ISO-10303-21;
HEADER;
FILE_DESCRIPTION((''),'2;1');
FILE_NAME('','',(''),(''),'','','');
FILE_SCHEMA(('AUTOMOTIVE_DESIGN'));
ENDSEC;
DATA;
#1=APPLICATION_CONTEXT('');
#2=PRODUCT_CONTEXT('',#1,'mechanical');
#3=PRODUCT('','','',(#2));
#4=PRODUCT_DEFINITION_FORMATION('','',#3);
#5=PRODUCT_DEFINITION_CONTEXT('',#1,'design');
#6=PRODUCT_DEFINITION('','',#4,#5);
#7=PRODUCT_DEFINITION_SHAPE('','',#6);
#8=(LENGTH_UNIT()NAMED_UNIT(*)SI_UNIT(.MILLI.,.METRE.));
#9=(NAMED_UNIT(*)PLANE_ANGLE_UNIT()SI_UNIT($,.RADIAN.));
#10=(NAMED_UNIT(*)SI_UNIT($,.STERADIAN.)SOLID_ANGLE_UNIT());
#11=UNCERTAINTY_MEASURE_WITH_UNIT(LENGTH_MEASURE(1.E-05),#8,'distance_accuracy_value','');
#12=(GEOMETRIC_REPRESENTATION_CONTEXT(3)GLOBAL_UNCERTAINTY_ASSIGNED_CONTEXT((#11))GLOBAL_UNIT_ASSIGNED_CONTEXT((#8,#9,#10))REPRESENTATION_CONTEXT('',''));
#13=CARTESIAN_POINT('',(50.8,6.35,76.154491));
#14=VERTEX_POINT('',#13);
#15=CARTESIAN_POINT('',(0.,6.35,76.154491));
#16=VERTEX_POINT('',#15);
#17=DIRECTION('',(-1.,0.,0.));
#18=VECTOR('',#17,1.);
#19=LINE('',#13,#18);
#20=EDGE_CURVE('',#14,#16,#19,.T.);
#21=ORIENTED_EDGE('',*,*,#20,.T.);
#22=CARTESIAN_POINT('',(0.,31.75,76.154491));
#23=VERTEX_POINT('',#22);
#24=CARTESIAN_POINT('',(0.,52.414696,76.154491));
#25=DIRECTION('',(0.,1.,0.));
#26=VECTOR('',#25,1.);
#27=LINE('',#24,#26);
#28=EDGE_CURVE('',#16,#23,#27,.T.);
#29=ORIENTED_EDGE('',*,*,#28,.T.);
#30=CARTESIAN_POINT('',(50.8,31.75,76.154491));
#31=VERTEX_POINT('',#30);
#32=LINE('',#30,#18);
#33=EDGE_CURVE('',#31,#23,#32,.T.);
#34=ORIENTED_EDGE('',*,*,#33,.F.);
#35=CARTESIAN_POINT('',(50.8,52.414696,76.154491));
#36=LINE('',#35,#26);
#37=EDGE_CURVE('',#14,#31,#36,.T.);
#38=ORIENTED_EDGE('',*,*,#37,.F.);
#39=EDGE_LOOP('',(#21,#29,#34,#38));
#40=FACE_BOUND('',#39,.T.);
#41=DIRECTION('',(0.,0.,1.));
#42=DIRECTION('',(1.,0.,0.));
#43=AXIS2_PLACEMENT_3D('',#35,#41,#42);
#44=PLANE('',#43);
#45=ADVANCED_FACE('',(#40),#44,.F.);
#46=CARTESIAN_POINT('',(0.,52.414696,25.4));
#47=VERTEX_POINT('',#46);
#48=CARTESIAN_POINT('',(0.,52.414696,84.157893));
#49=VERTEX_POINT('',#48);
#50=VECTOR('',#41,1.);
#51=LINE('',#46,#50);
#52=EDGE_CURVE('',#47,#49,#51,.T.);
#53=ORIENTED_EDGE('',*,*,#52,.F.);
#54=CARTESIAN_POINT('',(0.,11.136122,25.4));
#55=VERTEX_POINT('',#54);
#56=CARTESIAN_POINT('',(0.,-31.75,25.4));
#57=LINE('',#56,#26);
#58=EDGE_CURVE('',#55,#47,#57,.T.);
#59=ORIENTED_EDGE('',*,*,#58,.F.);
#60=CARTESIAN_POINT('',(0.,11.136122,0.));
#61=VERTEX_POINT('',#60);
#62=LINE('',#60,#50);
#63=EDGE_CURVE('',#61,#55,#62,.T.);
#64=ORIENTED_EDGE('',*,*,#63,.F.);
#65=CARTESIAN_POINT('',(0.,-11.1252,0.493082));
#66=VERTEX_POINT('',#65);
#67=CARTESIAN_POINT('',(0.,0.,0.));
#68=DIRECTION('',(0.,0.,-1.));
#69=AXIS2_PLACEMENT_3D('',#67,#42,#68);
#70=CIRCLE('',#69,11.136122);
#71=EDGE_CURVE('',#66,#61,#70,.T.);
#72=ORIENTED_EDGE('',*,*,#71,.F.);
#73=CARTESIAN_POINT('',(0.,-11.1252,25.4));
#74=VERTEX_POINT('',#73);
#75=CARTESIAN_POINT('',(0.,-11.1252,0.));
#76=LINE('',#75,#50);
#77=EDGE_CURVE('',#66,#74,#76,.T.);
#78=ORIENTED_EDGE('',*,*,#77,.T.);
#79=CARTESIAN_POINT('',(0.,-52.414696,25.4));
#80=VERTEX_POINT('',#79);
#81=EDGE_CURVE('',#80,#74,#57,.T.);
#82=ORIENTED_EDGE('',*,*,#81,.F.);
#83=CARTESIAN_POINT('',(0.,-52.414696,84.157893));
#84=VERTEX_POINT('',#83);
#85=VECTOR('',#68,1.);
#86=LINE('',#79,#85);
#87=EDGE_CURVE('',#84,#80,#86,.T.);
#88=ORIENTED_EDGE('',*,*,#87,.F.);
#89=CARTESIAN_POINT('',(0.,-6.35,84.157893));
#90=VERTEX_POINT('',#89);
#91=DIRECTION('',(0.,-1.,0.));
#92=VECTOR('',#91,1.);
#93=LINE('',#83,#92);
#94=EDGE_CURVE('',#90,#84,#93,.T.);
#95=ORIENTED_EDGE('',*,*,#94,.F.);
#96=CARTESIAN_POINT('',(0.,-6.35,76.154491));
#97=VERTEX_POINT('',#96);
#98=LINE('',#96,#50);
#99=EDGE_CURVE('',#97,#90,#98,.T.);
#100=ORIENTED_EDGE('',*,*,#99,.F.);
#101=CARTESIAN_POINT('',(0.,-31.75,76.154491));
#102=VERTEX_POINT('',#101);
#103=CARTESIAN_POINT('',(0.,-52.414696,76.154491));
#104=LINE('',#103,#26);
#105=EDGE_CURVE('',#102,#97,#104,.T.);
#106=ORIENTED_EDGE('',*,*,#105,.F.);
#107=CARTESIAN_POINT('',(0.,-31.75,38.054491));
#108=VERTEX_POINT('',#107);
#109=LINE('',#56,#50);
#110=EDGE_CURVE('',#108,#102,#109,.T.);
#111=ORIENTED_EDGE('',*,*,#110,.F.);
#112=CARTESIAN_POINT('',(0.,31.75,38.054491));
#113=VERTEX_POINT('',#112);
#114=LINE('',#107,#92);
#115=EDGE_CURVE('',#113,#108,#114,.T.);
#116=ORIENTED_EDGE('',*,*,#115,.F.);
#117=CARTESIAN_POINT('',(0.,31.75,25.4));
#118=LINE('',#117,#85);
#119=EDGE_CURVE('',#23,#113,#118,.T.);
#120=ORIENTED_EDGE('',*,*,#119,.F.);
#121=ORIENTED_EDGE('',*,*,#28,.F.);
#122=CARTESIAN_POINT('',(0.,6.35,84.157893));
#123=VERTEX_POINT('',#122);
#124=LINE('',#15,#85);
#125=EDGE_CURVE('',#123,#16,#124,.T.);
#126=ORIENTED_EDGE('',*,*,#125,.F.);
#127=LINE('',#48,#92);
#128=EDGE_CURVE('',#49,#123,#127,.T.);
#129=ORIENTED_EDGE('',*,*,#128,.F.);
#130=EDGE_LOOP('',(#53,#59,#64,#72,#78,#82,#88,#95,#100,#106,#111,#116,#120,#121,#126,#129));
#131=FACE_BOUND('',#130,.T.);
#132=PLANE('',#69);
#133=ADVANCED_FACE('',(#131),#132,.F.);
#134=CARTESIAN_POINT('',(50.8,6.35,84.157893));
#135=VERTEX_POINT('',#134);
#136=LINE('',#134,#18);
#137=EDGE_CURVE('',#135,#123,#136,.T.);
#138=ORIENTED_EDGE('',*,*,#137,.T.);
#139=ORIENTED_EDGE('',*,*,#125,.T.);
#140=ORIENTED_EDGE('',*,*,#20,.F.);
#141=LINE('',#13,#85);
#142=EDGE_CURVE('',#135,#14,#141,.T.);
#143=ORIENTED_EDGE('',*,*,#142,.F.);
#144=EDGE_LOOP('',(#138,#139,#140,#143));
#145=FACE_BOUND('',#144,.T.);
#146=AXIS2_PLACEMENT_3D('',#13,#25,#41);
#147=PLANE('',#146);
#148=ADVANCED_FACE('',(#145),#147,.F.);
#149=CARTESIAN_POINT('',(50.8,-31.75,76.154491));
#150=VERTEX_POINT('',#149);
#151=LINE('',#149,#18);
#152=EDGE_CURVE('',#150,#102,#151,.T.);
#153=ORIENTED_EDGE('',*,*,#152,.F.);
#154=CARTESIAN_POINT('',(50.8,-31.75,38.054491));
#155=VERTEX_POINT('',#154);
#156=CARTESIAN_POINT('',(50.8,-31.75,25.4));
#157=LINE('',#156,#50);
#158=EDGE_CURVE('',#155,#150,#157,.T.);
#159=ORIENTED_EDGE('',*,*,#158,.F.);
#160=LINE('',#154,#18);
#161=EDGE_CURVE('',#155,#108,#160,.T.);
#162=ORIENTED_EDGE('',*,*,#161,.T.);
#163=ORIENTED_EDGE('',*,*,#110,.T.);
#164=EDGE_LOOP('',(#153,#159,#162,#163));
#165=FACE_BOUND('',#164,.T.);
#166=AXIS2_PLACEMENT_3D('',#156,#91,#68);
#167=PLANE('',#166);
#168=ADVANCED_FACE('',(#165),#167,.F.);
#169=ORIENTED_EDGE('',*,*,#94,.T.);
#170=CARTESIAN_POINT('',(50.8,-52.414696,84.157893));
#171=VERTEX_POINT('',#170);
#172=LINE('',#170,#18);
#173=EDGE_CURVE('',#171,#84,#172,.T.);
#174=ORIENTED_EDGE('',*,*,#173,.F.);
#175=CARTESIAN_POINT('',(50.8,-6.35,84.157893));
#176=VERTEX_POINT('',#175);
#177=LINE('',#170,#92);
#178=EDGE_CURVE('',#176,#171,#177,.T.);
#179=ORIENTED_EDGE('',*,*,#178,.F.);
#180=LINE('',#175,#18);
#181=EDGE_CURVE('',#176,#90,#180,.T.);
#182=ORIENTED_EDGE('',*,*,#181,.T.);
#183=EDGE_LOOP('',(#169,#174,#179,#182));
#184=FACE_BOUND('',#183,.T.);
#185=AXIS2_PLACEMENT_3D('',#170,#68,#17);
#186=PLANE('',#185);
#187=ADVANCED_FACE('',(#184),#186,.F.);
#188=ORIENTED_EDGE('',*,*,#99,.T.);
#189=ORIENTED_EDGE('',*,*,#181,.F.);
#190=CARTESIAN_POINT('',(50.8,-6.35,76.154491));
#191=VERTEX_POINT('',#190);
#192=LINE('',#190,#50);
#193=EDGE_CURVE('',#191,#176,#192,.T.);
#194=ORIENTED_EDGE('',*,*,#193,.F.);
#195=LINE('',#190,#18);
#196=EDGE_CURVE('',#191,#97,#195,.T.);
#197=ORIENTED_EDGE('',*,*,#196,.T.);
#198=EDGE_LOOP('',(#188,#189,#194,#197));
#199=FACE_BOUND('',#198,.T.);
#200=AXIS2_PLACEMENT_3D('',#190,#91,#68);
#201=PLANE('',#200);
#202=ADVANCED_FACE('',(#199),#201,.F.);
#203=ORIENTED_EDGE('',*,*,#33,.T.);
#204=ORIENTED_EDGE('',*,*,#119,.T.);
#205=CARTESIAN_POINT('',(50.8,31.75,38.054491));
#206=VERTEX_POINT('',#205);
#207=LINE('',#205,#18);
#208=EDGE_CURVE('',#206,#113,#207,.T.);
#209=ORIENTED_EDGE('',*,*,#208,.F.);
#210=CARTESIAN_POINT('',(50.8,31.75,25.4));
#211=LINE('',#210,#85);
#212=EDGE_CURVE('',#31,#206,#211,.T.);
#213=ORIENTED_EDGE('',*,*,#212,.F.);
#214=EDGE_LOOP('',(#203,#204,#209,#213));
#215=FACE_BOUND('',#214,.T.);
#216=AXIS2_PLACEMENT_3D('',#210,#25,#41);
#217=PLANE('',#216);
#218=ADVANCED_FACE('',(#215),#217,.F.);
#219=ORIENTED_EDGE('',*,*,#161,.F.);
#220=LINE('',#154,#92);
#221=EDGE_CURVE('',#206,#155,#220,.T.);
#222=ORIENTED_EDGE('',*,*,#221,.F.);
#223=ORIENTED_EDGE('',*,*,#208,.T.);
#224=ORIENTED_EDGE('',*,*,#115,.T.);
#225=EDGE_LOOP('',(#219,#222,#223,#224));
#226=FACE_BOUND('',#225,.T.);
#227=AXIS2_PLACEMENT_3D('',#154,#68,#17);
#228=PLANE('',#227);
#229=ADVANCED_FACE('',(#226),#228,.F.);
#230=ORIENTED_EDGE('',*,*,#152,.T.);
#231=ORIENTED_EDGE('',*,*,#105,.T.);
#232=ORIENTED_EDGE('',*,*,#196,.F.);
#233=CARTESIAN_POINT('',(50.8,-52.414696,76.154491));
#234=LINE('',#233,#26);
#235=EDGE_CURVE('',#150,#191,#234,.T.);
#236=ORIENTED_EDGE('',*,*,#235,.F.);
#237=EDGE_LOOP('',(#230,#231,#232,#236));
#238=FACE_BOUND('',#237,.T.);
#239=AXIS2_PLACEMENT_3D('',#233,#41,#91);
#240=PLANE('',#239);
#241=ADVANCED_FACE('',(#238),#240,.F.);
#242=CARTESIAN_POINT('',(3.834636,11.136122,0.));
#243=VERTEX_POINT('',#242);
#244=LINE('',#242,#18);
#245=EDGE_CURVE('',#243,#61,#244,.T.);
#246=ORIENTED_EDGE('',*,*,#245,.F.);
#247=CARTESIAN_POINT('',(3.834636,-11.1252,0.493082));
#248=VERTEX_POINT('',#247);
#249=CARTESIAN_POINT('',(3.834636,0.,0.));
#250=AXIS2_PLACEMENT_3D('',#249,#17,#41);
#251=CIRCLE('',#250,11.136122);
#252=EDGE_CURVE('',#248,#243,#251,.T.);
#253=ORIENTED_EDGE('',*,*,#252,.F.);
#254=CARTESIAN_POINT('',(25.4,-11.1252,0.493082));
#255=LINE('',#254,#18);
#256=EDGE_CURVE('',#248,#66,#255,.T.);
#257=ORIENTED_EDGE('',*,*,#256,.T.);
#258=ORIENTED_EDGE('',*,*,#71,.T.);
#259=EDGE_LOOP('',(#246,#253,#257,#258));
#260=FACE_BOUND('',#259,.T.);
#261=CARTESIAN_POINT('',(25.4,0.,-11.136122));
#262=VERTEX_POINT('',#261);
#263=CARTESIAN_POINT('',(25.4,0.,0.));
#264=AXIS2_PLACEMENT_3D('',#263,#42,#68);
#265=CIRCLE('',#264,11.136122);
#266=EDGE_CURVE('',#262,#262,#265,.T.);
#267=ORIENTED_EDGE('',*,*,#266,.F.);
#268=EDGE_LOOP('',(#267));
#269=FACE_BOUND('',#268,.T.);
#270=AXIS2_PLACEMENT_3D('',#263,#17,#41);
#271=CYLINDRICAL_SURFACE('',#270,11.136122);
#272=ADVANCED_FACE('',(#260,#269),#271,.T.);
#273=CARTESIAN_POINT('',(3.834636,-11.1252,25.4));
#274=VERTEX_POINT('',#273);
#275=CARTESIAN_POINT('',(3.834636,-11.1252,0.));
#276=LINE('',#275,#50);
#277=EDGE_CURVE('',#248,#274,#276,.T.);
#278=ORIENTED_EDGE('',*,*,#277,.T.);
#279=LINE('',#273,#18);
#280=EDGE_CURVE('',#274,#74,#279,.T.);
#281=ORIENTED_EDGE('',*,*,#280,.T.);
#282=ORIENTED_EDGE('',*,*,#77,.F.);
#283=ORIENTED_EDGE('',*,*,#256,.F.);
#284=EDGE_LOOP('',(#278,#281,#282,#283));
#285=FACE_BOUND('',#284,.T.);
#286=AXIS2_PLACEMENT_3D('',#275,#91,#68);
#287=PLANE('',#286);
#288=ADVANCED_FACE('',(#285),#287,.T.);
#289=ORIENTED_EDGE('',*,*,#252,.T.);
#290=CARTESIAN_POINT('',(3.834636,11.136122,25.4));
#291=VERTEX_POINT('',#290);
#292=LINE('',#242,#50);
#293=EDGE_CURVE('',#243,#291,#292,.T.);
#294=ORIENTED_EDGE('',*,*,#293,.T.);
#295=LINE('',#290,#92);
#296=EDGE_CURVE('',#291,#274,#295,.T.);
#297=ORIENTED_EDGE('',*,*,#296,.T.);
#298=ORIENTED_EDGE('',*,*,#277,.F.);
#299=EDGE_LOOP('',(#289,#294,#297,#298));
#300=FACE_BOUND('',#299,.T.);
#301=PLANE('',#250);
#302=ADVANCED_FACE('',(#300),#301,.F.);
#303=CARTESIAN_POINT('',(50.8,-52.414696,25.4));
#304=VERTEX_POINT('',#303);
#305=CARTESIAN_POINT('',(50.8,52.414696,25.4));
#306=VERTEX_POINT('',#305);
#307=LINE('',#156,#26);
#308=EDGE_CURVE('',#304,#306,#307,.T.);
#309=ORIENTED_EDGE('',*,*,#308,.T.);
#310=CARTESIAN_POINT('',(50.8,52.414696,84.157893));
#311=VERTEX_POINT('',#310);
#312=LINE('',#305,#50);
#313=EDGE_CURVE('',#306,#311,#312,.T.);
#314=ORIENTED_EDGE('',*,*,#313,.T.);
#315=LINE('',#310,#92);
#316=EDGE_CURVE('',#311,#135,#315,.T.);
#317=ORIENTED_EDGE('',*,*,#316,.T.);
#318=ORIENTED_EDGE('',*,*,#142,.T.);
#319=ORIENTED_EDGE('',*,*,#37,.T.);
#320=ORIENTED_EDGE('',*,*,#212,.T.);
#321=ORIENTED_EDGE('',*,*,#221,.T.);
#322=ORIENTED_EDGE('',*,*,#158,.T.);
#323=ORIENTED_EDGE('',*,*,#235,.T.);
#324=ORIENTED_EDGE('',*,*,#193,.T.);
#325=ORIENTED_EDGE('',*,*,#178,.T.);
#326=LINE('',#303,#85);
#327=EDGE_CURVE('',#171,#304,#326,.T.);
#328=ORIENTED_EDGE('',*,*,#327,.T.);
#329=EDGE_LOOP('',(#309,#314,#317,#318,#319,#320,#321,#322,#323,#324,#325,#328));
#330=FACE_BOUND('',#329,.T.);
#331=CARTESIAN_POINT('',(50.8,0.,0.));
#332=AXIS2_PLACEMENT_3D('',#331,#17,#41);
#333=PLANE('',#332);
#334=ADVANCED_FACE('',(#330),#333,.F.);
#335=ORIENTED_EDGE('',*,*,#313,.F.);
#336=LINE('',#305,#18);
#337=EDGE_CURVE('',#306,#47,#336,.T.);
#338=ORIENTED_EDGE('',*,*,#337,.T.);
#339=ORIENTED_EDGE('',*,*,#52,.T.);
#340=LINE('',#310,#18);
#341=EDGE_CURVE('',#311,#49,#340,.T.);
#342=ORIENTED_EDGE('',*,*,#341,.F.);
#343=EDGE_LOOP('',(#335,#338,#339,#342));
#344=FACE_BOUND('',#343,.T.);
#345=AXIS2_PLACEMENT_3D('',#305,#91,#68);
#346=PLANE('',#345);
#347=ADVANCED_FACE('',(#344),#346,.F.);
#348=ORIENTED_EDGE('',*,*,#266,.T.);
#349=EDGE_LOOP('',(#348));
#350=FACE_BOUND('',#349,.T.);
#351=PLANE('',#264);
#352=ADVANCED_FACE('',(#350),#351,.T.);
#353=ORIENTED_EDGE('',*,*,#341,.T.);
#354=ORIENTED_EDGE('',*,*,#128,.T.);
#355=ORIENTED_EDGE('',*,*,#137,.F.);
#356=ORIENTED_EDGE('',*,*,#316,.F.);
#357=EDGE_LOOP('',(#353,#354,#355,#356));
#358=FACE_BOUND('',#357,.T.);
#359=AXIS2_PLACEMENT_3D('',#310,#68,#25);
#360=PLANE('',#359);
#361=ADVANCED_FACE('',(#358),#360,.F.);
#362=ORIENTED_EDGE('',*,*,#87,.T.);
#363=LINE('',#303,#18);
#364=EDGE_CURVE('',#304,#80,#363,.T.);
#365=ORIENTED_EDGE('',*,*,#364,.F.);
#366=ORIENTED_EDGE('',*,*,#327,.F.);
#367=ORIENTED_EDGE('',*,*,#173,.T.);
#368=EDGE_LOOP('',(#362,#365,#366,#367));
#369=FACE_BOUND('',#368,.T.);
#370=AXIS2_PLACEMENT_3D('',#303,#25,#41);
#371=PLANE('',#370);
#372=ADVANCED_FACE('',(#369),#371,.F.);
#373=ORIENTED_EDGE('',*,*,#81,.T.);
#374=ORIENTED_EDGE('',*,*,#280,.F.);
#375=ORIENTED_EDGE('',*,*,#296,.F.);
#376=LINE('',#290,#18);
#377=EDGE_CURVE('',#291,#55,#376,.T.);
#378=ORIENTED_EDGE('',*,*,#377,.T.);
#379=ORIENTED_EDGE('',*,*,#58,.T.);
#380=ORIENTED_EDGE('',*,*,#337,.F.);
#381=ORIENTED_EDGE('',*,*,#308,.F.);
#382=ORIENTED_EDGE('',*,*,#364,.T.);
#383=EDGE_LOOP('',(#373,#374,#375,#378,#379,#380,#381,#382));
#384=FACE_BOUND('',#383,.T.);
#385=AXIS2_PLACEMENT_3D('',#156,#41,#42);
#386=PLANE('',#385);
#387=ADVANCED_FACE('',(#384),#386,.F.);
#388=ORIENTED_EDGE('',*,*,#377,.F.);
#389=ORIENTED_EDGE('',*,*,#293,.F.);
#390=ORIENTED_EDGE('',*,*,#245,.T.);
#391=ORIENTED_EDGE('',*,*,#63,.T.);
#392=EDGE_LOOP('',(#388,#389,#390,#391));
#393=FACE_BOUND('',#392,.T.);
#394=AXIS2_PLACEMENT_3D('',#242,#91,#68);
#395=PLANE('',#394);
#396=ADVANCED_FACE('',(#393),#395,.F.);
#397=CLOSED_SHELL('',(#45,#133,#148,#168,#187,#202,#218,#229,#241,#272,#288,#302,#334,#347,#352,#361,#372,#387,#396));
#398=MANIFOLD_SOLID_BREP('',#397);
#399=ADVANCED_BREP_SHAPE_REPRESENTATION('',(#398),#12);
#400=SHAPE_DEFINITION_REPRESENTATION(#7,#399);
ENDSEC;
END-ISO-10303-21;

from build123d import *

# Parameters (mm, degrees)
SKETCH1_R           = 11.136121628
BOSS_EXTRUDE1_DEPTH = 25.4
SKETCH2_W           = 22.261321628
SKETCH2_H           = 25.4
BOSS_EXTRUDE2_DEPTH = 3.834635566
SKETCH3_W           = 63.5
SKETCH3_H           = 12.654490516
BOSS_EXTRUDE3_DEPTH = 50.8
SKETCH4_W           = 20.664696479
SKETCH4_H           = 50.754490516
BOSS_EXTRUDE4_DEPTH = 50.8
SKETCH5_W           = 46.064696479
SKETCH5_H           = 8.003402532
BOSS_EXTRUDE5_DEPTH = 50.8


with BuildPart() as part:
    # Sketch1 → Boss-Extrude1 (new body)
    with BuildSketch(Plane.YZ):
        with Locations(Location((0, 0, 0), (0, 0, 270))):
            Circle(SKETCH1_R)
    extrude(amount=BOSS_EXTRUDE1_DEPTH)

    # Sketch2 → Boss-Extrude2 (add)
    with BuildSketch(Plane(origin=(0, 0, 0), x_dir=(0, -1, 0), z_dir=(-1, 0, 0))):
        with Locations((-0.005460814, 12.7)):
            Rectangle(SKETCH2_W, SKETCH2_H)
    extrude(amount=-BOSS_EXTRUDE2_DEPTH)

    # Sketch3 → Boss-Extrude3 (add)
    with BuildSketch(Plane.YZ):
        with Locations((0, 31.727245258)):
            Rectangle(SKETCH3_W, SKETCH3_H)
    extrude(amount=BOSS_EXTRUDE3_DEPTH)

    # Sketch4 → Boss-Extrude4 (add)
    with BuildSketch(Plane.YZ):
        with Locations((-42.082348239, 50.777245258)):
            Rectangle(SKETCH4_W, SKETCH4_H)
        with Locations((42.082348239, 50.777245258)):
            Rectangle(SKETCH4_W, SKETCH4_H)
    extrude(amount=BOSS_EXTRUDE4_DEPTH)

    # Sketch5 → Boss-Extrude5 (add)
    with BuildSketch(Plane.YZ):
        with Locations((-29.38234824, 80.156191782)):
            Rectangle(SKETCH5_W, SKETCH5_H)
        with Locations((29.38234824, 80.156191782)):
            Rectangle(SKETCH5_W, SKETCH5_H)
    extrude(amount=BOSS_EXTRUDE5_DEPTH)


solid = part.part
